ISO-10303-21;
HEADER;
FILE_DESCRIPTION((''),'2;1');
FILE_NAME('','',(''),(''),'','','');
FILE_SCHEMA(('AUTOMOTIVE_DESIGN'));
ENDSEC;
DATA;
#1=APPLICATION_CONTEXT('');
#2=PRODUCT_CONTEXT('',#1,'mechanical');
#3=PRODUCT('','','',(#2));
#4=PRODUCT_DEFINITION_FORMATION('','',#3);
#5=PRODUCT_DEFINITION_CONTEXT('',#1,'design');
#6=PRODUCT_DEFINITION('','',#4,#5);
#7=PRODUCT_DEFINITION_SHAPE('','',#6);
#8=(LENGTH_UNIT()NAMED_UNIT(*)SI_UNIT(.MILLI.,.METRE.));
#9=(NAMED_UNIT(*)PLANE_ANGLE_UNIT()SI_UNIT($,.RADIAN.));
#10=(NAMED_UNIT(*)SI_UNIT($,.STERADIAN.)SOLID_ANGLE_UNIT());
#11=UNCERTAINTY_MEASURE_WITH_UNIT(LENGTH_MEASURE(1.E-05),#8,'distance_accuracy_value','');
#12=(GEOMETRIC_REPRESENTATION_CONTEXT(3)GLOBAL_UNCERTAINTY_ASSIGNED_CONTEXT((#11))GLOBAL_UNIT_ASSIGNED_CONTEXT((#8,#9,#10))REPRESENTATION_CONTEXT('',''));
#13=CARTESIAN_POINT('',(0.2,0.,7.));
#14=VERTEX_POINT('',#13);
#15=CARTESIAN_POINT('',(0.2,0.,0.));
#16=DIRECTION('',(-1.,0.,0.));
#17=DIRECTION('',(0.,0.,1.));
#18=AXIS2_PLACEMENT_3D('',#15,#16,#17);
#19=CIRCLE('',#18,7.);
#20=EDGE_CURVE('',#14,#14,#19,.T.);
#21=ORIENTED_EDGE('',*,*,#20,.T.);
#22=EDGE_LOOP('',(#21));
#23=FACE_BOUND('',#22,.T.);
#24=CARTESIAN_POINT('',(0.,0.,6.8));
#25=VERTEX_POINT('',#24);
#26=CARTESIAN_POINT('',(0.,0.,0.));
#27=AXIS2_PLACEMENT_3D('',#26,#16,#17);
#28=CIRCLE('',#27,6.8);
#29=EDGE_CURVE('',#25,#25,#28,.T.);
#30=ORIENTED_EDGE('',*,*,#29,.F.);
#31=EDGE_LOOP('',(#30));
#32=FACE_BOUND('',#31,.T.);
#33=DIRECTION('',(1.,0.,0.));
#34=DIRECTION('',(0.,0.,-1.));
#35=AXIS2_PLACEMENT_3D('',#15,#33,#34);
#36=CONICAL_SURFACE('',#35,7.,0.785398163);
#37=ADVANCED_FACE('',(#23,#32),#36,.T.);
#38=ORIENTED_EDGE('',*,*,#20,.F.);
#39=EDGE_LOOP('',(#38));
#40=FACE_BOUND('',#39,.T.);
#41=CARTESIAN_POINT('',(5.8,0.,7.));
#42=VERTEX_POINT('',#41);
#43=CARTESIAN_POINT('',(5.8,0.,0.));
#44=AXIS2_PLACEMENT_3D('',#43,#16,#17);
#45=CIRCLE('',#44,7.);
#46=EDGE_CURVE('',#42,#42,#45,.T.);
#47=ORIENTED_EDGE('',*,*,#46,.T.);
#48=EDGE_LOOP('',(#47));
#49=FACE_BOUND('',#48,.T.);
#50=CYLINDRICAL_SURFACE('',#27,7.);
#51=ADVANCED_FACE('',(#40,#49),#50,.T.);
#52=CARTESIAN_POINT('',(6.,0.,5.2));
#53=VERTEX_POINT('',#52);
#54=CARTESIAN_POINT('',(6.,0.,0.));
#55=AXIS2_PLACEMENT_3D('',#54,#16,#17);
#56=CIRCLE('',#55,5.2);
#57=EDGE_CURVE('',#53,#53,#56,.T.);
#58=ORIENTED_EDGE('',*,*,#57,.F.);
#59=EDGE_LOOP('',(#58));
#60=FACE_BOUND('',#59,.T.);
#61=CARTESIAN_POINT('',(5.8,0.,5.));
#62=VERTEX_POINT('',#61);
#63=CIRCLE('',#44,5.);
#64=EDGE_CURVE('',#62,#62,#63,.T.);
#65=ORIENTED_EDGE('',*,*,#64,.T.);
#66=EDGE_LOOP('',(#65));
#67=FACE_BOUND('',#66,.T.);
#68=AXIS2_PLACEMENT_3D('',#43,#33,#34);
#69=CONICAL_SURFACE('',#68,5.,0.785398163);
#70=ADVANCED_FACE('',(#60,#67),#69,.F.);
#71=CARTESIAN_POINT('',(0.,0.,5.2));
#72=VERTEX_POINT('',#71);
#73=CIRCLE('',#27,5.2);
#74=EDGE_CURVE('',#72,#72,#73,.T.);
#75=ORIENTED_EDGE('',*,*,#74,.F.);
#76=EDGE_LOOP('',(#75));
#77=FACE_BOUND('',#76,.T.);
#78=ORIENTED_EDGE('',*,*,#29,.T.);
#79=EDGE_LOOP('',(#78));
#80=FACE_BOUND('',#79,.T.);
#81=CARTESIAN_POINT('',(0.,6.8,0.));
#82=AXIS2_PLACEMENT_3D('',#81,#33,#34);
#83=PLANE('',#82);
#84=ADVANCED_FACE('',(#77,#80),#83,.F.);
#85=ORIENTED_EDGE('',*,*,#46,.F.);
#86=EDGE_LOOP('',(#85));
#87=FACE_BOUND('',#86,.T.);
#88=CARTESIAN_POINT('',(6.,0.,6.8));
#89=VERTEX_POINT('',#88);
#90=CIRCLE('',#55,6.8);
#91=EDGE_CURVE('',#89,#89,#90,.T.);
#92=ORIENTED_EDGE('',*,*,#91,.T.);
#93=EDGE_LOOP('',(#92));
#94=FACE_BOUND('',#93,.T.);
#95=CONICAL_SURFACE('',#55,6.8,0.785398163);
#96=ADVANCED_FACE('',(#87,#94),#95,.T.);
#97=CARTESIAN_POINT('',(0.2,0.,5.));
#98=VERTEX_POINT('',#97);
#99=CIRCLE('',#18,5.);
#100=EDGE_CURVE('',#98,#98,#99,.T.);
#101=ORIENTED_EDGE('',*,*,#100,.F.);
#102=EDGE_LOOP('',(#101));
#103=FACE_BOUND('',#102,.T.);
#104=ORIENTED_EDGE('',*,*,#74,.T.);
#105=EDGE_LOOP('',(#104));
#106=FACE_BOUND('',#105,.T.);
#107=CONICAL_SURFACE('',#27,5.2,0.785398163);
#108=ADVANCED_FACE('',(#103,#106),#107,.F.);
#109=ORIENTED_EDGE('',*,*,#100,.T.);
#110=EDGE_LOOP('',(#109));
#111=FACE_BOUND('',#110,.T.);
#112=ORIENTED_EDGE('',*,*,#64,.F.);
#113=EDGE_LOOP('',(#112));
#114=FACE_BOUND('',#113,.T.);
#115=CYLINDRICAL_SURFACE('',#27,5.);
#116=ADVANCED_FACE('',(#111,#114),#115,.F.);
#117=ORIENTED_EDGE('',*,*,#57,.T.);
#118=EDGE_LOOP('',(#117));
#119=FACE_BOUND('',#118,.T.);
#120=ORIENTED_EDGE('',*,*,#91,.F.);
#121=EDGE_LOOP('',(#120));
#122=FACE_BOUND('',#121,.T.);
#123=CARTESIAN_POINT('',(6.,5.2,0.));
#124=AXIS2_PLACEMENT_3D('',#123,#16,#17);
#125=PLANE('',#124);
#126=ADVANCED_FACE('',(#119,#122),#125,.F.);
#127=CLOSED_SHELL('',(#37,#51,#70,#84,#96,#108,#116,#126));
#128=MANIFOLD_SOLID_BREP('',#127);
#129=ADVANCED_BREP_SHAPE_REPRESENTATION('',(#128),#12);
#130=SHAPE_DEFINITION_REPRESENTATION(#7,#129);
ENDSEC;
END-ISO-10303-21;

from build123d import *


with BuildPart() as part:
    # Эскиз1 → Повернуть1 (revolve)
    with BuildSketch(Plane.XY):
        Polygon((0.2, 5), (5.8, 5), (6, 5.2), (6, 6.8), (5.8, 7), (0.2, 7), (0, 6.8), (0, 5.2), align=None)
    revolve(axis=Axis((0, 0, 0), (1, 0, 0)))


solid = part.part
